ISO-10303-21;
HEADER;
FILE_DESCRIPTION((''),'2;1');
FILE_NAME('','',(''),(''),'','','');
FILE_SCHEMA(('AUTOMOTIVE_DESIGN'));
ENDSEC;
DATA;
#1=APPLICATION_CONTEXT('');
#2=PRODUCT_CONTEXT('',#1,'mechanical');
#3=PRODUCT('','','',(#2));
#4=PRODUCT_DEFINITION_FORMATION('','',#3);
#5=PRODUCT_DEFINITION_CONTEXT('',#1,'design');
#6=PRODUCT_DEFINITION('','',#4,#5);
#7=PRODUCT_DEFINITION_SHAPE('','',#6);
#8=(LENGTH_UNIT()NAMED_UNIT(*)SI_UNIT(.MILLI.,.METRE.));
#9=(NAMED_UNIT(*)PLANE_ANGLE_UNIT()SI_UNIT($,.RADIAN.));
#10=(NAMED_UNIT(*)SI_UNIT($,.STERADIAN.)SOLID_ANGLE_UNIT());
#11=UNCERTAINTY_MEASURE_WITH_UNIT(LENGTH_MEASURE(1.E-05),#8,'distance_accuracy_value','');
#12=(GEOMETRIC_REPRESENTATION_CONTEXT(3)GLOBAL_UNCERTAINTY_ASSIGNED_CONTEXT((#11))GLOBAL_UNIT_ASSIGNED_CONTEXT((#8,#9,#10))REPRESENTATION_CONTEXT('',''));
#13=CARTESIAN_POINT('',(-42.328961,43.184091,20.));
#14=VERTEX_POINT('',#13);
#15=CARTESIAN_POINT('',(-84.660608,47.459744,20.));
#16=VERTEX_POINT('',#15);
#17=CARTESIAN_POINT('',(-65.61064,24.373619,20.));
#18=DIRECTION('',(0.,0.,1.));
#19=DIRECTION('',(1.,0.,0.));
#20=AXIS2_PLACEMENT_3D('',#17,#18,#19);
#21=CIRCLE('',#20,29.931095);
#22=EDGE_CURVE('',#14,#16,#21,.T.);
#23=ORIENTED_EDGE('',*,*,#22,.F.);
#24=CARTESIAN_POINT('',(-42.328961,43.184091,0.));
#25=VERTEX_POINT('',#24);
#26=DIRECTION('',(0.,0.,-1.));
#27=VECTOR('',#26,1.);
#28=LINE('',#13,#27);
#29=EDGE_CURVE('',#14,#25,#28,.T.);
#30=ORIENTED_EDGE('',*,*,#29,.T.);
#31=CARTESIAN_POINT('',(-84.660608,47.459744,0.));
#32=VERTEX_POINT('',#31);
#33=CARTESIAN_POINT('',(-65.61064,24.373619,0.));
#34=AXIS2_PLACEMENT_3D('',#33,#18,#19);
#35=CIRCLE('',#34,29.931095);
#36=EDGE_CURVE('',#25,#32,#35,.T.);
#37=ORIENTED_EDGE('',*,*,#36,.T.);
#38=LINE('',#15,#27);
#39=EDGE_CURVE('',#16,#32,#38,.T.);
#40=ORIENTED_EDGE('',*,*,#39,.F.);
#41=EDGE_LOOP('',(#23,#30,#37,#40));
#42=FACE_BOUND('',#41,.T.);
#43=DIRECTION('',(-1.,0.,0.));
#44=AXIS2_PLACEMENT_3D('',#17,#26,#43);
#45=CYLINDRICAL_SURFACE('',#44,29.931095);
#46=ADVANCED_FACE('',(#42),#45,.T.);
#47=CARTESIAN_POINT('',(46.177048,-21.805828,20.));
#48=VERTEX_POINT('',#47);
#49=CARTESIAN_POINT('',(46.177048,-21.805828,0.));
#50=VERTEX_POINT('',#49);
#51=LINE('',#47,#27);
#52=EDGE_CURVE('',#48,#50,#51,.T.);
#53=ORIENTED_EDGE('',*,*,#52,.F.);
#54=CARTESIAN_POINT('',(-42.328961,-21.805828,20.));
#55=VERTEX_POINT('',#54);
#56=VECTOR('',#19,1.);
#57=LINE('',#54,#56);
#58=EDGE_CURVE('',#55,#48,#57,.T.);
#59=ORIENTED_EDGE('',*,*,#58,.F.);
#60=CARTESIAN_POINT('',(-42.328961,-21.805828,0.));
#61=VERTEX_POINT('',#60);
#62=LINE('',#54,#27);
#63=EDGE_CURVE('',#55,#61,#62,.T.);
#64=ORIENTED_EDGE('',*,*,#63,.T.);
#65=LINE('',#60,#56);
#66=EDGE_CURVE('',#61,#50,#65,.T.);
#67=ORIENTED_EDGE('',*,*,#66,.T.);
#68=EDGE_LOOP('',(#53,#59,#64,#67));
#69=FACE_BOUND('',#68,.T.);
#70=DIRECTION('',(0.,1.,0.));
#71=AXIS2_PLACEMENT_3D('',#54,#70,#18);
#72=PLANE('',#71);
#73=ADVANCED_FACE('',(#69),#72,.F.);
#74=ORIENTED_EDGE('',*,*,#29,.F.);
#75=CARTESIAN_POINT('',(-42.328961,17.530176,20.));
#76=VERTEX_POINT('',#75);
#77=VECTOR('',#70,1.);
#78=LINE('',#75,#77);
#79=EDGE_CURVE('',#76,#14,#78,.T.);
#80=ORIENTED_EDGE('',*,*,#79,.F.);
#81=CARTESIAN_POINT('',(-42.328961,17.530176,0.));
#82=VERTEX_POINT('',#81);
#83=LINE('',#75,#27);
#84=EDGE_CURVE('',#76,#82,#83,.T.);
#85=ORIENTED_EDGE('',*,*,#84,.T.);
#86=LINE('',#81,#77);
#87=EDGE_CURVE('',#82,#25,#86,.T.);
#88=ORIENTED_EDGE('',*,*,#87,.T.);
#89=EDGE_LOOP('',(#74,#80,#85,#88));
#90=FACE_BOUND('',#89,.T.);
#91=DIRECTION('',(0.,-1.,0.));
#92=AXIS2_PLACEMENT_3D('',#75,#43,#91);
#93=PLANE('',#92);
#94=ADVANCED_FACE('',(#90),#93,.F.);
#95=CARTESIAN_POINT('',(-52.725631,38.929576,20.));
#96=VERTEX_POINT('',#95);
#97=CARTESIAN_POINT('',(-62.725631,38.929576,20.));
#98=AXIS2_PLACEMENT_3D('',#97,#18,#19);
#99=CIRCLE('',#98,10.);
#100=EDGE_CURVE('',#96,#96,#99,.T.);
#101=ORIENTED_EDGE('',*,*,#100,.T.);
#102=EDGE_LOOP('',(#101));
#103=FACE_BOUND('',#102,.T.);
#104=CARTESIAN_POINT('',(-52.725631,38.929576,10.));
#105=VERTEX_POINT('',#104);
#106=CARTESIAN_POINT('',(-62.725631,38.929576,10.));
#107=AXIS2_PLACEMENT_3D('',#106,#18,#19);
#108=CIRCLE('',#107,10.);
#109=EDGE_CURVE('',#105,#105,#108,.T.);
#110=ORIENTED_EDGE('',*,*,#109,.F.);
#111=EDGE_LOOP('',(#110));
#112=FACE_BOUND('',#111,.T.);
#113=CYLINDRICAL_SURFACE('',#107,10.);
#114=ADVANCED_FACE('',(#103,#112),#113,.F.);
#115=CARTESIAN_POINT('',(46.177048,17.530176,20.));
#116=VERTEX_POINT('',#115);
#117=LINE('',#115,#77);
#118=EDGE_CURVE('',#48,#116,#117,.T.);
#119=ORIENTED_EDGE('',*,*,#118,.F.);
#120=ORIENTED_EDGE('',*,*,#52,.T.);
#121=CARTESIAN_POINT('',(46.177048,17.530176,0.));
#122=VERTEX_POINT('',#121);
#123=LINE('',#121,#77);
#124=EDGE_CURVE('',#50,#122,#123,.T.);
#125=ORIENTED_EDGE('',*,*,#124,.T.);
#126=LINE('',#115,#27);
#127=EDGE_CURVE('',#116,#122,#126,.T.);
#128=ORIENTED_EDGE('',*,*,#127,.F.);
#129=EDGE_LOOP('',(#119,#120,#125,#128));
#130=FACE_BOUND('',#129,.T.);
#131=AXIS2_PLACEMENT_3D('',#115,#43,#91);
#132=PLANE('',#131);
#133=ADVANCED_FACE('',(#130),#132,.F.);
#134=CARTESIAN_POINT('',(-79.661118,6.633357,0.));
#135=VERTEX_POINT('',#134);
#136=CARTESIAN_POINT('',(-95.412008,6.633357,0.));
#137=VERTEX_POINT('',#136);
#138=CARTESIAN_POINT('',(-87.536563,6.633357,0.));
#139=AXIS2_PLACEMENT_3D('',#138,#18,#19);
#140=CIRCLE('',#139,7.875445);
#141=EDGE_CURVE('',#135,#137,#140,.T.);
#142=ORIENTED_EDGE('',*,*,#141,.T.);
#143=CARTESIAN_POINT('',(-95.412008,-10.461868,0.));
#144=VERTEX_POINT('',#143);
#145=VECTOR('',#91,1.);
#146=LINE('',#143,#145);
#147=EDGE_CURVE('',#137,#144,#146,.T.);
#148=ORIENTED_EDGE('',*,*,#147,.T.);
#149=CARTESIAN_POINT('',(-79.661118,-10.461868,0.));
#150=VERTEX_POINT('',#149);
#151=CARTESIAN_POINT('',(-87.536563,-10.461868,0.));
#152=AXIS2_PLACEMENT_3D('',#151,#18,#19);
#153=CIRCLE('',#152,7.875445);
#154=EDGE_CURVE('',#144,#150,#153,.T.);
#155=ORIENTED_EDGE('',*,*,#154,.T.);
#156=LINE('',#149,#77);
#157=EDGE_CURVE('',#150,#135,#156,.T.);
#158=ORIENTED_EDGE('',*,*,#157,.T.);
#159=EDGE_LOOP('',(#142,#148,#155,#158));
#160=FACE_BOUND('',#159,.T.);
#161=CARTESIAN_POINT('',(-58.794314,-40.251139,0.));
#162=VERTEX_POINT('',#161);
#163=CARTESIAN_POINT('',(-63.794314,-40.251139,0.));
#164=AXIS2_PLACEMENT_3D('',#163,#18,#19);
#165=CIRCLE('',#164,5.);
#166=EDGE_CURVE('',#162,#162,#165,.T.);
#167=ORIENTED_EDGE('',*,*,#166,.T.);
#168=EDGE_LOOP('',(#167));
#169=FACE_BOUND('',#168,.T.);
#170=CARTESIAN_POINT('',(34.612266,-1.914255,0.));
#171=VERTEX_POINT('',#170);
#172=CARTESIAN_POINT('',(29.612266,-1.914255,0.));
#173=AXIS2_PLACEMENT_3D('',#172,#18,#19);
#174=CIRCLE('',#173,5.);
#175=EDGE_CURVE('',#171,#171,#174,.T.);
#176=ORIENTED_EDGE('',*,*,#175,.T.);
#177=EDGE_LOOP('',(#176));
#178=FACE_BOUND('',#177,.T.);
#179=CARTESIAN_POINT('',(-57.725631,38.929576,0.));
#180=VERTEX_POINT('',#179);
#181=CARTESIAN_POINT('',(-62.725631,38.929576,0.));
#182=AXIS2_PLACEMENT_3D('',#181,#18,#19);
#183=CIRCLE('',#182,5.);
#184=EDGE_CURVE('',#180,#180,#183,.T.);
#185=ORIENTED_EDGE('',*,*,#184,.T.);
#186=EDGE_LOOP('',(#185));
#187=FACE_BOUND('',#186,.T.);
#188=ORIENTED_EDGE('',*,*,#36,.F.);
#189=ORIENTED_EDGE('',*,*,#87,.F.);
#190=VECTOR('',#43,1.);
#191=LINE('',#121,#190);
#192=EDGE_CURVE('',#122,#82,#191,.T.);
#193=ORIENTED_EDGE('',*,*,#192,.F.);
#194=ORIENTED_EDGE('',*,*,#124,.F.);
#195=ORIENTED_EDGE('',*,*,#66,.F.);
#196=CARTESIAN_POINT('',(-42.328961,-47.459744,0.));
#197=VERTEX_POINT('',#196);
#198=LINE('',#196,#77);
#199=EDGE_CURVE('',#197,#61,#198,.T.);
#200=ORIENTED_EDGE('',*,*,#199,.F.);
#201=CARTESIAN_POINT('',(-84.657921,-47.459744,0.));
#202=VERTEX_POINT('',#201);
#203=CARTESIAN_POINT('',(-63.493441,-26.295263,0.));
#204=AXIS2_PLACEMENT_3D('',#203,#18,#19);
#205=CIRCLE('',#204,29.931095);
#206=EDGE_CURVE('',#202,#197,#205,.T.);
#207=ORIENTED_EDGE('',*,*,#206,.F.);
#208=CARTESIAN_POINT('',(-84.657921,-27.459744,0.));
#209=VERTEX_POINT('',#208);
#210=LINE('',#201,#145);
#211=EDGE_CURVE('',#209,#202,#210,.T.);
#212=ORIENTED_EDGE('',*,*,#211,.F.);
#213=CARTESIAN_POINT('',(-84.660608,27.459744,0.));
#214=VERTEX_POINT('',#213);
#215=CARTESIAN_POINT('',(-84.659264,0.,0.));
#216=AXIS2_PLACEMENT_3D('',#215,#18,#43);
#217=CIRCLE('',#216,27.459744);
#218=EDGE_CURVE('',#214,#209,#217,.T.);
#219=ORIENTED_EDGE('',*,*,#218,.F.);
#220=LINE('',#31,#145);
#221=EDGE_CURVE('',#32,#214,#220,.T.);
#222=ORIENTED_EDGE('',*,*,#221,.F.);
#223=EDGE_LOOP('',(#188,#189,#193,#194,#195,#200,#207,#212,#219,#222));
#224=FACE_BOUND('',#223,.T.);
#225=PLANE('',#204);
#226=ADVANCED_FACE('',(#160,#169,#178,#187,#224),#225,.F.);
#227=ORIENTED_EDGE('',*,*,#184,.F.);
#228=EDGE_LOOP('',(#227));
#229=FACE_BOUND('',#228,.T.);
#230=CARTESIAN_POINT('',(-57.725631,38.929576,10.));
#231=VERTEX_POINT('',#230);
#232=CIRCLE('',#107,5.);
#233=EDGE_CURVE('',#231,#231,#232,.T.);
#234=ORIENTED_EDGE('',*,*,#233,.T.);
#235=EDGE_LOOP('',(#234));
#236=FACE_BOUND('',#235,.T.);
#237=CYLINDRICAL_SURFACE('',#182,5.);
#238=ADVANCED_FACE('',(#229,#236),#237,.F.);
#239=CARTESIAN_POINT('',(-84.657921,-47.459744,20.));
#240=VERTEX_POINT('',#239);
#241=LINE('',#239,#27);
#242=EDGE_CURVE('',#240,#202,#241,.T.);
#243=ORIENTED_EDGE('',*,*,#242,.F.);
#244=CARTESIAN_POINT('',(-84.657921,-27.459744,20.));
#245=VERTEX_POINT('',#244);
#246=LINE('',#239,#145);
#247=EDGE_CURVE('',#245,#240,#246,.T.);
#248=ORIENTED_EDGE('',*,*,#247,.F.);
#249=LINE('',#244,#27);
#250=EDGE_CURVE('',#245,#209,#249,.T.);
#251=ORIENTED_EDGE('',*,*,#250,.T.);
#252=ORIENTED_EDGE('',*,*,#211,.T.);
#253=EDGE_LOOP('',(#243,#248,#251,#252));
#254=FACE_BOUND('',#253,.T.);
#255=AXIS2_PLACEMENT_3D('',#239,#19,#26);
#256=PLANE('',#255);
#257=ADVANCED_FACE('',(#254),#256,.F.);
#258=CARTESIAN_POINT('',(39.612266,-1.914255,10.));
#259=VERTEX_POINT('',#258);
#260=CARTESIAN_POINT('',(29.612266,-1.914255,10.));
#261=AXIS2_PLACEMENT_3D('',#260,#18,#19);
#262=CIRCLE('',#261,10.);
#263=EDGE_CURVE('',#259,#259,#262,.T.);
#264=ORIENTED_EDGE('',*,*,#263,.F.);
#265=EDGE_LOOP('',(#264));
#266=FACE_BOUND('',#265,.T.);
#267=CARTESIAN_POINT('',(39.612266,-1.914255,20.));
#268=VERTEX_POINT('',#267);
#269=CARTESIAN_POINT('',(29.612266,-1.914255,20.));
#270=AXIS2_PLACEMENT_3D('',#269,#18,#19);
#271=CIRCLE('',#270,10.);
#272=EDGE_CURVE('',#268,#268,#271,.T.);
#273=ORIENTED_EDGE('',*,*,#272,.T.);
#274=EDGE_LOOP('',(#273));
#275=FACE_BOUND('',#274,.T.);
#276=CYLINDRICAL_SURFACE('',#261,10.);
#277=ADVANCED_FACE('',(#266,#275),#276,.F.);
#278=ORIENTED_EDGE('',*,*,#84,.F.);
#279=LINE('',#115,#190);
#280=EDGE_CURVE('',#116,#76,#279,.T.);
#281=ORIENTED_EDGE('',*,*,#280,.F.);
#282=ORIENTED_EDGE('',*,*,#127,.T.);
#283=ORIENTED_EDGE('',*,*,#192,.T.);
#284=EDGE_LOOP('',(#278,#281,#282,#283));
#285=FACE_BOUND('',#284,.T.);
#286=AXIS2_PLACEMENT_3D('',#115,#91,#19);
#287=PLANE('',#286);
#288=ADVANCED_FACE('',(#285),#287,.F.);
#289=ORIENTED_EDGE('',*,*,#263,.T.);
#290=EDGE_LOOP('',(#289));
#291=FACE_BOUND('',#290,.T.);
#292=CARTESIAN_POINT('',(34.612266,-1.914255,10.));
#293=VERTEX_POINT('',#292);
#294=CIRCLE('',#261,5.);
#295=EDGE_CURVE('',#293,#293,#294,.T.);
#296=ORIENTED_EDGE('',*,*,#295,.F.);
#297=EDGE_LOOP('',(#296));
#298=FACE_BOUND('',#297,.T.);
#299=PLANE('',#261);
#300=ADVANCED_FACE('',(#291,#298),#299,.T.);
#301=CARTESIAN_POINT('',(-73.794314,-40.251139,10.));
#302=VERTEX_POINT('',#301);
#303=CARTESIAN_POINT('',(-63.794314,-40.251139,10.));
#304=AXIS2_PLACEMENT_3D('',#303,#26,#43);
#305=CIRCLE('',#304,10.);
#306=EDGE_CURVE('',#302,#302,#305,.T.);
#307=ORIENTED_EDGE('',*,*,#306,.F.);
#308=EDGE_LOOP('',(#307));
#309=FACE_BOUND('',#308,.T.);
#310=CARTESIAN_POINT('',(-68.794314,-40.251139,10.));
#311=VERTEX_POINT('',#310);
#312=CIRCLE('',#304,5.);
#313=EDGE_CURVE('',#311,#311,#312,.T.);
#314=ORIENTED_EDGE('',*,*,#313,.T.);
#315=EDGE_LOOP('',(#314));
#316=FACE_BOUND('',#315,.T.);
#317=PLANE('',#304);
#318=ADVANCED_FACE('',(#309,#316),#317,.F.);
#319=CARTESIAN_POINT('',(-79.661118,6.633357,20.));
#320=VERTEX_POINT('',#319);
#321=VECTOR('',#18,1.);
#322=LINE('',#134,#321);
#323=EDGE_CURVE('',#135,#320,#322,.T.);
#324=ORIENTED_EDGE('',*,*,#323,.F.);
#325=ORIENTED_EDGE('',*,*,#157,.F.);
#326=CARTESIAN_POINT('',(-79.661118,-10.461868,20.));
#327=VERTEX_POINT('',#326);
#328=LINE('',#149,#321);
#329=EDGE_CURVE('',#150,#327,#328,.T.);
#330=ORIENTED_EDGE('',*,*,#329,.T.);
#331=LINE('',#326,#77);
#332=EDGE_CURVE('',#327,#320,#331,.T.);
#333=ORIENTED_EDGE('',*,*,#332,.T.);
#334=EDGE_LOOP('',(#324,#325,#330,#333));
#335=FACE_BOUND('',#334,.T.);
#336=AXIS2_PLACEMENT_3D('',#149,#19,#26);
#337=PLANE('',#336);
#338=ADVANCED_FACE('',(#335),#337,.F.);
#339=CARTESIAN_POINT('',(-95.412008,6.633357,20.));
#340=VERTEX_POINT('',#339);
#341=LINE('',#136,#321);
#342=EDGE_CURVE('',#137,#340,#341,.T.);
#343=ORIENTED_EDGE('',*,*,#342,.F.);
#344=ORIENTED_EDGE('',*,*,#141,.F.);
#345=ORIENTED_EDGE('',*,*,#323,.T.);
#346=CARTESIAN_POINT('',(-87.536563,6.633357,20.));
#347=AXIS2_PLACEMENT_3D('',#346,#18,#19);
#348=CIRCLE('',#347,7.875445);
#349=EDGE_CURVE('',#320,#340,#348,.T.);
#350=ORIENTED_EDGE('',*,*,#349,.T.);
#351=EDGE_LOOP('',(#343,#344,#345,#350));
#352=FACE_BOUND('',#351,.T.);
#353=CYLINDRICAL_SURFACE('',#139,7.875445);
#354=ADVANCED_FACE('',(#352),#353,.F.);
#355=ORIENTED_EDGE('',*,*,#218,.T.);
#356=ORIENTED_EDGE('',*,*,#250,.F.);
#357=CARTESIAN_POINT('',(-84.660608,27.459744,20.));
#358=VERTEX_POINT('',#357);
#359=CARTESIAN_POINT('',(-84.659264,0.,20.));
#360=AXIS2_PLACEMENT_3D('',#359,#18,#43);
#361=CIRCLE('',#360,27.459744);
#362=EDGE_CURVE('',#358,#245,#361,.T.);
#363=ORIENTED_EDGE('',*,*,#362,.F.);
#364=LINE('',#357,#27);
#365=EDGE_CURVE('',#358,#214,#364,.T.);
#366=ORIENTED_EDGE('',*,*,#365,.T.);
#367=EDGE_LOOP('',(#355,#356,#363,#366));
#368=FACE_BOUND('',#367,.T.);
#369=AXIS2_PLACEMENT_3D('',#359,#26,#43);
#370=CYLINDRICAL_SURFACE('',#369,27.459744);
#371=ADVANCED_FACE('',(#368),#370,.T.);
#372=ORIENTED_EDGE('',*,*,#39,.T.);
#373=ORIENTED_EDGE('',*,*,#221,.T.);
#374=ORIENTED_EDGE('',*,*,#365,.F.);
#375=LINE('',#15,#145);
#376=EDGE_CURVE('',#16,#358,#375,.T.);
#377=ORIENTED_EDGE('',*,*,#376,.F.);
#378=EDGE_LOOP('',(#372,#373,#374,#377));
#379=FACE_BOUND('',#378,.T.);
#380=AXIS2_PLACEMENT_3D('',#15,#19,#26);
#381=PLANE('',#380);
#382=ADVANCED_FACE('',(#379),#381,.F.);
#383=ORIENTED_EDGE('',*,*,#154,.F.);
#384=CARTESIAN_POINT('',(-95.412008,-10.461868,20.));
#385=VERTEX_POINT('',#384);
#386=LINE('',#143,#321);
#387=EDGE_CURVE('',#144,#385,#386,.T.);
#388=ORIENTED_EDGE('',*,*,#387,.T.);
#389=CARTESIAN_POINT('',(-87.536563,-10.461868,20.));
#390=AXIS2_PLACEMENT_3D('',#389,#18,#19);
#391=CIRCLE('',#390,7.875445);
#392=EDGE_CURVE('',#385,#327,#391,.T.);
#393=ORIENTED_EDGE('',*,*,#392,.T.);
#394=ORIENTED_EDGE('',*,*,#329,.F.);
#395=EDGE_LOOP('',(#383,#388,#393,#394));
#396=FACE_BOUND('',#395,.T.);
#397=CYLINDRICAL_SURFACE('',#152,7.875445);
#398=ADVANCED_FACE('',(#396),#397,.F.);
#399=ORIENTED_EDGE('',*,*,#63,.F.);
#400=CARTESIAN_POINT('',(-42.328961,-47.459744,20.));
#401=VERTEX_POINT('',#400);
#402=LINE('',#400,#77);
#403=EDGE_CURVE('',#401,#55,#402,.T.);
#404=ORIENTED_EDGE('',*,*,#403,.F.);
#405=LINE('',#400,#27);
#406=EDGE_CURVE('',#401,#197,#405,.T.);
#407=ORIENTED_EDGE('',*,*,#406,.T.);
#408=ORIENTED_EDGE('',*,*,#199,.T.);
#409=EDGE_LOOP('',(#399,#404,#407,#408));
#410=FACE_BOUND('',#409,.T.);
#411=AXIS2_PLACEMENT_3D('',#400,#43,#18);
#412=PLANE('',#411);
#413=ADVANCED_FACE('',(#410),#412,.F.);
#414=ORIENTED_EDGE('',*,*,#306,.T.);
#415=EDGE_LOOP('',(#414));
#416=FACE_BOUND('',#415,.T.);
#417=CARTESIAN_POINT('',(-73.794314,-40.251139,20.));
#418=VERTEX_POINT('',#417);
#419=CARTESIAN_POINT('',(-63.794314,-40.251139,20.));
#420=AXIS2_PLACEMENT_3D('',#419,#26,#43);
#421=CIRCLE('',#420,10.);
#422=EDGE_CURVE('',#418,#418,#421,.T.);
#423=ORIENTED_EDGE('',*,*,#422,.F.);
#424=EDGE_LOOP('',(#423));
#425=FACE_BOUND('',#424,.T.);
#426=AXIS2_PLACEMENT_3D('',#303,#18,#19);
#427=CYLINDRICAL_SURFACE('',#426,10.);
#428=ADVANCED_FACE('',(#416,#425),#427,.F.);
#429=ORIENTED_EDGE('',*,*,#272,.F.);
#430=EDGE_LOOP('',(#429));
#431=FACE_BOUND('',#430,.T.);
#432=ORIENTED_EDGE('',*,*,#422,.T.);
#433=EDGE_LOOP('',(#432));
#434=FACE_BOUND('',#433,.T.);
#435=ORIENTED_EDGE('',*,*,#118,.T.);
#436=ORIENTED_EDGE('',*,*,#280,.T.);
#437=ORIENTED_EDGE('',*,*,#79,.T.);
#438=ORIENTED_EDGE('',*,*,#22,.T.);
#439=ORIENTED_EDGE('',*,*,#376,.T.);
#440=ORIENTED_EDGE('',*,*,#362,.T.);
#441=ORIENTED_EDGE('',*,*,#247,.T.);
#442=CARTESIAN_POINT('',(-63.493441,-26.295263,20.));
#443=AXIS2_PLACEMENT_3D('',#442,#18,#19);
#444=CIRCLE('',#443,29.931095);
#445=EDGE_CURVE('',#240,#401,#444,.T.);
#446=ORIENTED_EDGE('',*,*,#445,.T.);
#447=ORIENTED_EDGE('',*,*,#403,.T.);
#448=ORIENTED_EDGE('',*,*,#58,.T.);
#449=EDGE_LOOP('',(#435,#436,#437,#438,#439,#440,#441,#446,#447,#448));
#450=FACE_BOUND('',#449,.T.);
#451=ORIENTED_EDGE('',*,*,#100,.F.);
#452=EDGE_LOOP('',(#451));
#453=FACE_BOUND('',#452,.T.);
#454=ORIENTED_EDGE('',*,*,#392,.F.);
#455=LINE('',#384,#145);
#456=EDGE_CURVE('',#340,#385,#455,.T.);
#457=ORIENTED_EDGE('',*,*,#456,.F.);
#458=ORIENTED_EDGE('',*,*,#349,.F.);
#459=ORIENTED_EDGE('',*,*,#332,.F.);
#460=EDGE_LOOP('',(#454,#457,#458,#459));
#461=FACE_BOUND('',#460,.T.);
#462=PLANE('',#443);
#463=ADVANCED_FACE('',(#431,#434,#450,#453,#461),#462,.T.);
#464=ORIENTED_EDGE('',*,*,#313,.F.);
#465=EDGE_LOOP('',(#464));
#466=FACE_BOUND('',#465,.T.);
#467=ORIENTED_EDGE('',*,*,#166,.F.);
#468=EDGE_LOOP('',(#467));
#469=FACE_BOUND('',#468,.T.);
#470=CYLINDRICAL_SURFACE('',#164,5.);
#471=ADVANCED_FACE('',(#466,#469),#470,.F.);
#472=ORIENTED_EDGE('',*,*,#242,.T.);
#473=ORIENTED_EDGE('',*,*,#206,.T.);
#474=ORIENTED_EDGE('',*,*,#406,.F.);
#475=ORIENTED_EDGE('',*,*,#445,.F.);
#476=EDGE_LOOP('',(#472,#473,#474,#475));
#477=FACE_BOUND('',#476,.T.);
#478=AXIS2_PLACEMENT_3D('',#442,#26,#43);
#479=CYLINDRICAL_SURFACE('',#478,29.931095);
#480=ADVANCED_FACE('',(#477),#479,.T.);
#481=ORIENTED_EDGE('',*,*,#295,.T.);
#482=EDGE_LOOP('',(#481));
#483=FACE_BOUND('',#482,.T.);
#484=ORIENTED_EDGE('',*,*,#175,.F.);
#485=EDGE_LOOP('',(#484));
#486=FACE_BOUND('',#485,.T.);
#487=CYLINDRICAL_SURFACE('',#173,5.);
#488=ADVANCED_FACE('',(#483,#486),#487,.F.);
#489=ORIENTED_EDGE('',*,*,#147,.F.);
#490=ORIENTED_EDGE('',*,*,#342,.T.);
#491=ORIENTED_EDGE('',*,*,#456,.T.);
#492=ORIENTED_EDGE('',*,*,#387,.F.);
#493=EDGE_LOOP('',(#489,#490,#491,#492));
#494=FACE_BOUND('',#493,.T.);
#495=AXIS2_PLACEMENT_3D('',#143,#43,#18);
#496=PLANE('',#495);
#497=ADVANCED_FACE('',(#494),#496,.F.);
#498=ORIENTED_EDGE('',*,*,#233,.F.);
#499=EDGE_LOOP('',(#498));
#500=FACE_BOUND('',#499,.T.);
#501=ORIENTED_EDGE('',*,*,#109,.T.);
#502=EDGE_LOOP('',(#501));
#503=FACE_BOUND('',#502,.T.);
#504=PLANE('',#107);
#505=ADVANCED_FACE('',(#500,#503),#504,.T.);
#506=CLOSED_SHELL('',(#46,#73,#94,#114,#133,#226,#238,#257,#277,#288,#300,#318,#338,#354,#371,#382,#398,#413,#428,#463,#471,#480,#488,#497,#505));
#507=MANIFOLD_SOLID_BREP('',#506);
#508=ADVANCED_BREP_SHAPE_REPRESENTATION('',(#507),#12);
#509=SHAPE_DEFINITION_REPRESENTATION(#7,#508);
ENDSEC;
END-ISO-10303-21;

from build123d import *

# Parameters (mm, degrees)
BOSS_EXTRUDE1_DEPTH = 20
SKETCH2_R           = 10
CUT_EXTRUDE1_DEPTH  = 10
CUT_EXTRUDE2_DEPTH  = 20
SKETCH4_R           = 5
CUT_EXTRUDE3_DEPTH  = 20


with BuildPart() as part:
    # Sketch1 → Boss-Extrude1 (new body)
    with BuildSketch(Plane.XY):
        with BuildLine():
            Line((46.177047915, 17.530175597), (-42.328960588, 17.530175597))
            Line((-42.328960588, 17.530175597), (-42.328960588, 43.184091105))
            ThreePointArc((-42.328960588, 43.184091105), (-62.602792244, 54.153197241), (-84.660607586, 47.459743594))
            Line((-84.660607586, 47.459743594), (-84.660607586, 27.459743594))
            ThreePointArc((-84.660607586, 27.459743594), (-112.119008023, -0.001343253), (-84.657921177, -27.45974369))
            Line((-84.657921177, -27.45974369), (-84.657921177, -47.45974369))
            ThreePointArc((-84.657921177, -47.45974369), (-63.493440882, -56.226358468), (-42.328960588, -47.45974369))
            Line((-42.328960588, -47.45974369), (-42.328960588, -21.805828182))
            Line((-42.328960588, -21.805828182), (46.177047915, -21.805828182))
            Line((46.177047915, -21.805828182), (46.177047915, 17.530175597))
        make_face()
    extrude(amount=BOSS_EXTRUDE1_DEPTH)

    # Sketch2 → Cut-Extrude1 (cut)
    with BuildSketch(Plane.XY.offset(20)):
        with Locations((29.612265592, -1.914255488)):
            Circle(SKETCH2_R)
        with Locations((-62.725631092, 38.929575976)):
            Circle(SKETCH2_R)
        with Locations((-63.794313785, -40.25113932)):
            Circle(SKETCH2_R)
    extrude(amount=-CUT_EXTRUDE1_DEPTH, mode=Mode.SUBTRACT)

    # Sketch3 → Cut-Extrude2 (cut)
    with BuildSketch(Plane.XY.offset(20)):
        with BuildLine():
            Line((-95.412007987, -10.461867625), (-95.412007987, 6.633356649))
            ThreePointArc((-95.412007987, 6.633356649), (-87.536563025, 14.508801611), (-79.661118062, 6.633356649))
            Line((-79.661118062, 6.633356649), (-79.661118062, -10.461867625))
            ThreePointArc((-79.661118062, -10.461867625), (-87.536563025, -18.337312588), (-95.412007987, -10.461867625))
        make_face()
    extrude(amount=-CUT_EXTRUDE2_DEPTH, mode=Mode.SUBTRACT)

    # Sketch4 → Cut-Extrude3 (cut)
    with BuildSketch(Plane.XY.offset(20)):
        with Locations((-62.725631092, 38.929575976)):
            Circle(SKETCH4_R)
        with Locations((-63.794313785, -40.25113932)):
            Circle(SKETCH4_R)
        with Locations((29.612265592, -1.914255488)):
            Circle(SKETCH4_R)
    extrude(amount=-CUT_EXTRUDE3_DEPTH, mode=Mode.SUBTRACT)


solid = part.part
